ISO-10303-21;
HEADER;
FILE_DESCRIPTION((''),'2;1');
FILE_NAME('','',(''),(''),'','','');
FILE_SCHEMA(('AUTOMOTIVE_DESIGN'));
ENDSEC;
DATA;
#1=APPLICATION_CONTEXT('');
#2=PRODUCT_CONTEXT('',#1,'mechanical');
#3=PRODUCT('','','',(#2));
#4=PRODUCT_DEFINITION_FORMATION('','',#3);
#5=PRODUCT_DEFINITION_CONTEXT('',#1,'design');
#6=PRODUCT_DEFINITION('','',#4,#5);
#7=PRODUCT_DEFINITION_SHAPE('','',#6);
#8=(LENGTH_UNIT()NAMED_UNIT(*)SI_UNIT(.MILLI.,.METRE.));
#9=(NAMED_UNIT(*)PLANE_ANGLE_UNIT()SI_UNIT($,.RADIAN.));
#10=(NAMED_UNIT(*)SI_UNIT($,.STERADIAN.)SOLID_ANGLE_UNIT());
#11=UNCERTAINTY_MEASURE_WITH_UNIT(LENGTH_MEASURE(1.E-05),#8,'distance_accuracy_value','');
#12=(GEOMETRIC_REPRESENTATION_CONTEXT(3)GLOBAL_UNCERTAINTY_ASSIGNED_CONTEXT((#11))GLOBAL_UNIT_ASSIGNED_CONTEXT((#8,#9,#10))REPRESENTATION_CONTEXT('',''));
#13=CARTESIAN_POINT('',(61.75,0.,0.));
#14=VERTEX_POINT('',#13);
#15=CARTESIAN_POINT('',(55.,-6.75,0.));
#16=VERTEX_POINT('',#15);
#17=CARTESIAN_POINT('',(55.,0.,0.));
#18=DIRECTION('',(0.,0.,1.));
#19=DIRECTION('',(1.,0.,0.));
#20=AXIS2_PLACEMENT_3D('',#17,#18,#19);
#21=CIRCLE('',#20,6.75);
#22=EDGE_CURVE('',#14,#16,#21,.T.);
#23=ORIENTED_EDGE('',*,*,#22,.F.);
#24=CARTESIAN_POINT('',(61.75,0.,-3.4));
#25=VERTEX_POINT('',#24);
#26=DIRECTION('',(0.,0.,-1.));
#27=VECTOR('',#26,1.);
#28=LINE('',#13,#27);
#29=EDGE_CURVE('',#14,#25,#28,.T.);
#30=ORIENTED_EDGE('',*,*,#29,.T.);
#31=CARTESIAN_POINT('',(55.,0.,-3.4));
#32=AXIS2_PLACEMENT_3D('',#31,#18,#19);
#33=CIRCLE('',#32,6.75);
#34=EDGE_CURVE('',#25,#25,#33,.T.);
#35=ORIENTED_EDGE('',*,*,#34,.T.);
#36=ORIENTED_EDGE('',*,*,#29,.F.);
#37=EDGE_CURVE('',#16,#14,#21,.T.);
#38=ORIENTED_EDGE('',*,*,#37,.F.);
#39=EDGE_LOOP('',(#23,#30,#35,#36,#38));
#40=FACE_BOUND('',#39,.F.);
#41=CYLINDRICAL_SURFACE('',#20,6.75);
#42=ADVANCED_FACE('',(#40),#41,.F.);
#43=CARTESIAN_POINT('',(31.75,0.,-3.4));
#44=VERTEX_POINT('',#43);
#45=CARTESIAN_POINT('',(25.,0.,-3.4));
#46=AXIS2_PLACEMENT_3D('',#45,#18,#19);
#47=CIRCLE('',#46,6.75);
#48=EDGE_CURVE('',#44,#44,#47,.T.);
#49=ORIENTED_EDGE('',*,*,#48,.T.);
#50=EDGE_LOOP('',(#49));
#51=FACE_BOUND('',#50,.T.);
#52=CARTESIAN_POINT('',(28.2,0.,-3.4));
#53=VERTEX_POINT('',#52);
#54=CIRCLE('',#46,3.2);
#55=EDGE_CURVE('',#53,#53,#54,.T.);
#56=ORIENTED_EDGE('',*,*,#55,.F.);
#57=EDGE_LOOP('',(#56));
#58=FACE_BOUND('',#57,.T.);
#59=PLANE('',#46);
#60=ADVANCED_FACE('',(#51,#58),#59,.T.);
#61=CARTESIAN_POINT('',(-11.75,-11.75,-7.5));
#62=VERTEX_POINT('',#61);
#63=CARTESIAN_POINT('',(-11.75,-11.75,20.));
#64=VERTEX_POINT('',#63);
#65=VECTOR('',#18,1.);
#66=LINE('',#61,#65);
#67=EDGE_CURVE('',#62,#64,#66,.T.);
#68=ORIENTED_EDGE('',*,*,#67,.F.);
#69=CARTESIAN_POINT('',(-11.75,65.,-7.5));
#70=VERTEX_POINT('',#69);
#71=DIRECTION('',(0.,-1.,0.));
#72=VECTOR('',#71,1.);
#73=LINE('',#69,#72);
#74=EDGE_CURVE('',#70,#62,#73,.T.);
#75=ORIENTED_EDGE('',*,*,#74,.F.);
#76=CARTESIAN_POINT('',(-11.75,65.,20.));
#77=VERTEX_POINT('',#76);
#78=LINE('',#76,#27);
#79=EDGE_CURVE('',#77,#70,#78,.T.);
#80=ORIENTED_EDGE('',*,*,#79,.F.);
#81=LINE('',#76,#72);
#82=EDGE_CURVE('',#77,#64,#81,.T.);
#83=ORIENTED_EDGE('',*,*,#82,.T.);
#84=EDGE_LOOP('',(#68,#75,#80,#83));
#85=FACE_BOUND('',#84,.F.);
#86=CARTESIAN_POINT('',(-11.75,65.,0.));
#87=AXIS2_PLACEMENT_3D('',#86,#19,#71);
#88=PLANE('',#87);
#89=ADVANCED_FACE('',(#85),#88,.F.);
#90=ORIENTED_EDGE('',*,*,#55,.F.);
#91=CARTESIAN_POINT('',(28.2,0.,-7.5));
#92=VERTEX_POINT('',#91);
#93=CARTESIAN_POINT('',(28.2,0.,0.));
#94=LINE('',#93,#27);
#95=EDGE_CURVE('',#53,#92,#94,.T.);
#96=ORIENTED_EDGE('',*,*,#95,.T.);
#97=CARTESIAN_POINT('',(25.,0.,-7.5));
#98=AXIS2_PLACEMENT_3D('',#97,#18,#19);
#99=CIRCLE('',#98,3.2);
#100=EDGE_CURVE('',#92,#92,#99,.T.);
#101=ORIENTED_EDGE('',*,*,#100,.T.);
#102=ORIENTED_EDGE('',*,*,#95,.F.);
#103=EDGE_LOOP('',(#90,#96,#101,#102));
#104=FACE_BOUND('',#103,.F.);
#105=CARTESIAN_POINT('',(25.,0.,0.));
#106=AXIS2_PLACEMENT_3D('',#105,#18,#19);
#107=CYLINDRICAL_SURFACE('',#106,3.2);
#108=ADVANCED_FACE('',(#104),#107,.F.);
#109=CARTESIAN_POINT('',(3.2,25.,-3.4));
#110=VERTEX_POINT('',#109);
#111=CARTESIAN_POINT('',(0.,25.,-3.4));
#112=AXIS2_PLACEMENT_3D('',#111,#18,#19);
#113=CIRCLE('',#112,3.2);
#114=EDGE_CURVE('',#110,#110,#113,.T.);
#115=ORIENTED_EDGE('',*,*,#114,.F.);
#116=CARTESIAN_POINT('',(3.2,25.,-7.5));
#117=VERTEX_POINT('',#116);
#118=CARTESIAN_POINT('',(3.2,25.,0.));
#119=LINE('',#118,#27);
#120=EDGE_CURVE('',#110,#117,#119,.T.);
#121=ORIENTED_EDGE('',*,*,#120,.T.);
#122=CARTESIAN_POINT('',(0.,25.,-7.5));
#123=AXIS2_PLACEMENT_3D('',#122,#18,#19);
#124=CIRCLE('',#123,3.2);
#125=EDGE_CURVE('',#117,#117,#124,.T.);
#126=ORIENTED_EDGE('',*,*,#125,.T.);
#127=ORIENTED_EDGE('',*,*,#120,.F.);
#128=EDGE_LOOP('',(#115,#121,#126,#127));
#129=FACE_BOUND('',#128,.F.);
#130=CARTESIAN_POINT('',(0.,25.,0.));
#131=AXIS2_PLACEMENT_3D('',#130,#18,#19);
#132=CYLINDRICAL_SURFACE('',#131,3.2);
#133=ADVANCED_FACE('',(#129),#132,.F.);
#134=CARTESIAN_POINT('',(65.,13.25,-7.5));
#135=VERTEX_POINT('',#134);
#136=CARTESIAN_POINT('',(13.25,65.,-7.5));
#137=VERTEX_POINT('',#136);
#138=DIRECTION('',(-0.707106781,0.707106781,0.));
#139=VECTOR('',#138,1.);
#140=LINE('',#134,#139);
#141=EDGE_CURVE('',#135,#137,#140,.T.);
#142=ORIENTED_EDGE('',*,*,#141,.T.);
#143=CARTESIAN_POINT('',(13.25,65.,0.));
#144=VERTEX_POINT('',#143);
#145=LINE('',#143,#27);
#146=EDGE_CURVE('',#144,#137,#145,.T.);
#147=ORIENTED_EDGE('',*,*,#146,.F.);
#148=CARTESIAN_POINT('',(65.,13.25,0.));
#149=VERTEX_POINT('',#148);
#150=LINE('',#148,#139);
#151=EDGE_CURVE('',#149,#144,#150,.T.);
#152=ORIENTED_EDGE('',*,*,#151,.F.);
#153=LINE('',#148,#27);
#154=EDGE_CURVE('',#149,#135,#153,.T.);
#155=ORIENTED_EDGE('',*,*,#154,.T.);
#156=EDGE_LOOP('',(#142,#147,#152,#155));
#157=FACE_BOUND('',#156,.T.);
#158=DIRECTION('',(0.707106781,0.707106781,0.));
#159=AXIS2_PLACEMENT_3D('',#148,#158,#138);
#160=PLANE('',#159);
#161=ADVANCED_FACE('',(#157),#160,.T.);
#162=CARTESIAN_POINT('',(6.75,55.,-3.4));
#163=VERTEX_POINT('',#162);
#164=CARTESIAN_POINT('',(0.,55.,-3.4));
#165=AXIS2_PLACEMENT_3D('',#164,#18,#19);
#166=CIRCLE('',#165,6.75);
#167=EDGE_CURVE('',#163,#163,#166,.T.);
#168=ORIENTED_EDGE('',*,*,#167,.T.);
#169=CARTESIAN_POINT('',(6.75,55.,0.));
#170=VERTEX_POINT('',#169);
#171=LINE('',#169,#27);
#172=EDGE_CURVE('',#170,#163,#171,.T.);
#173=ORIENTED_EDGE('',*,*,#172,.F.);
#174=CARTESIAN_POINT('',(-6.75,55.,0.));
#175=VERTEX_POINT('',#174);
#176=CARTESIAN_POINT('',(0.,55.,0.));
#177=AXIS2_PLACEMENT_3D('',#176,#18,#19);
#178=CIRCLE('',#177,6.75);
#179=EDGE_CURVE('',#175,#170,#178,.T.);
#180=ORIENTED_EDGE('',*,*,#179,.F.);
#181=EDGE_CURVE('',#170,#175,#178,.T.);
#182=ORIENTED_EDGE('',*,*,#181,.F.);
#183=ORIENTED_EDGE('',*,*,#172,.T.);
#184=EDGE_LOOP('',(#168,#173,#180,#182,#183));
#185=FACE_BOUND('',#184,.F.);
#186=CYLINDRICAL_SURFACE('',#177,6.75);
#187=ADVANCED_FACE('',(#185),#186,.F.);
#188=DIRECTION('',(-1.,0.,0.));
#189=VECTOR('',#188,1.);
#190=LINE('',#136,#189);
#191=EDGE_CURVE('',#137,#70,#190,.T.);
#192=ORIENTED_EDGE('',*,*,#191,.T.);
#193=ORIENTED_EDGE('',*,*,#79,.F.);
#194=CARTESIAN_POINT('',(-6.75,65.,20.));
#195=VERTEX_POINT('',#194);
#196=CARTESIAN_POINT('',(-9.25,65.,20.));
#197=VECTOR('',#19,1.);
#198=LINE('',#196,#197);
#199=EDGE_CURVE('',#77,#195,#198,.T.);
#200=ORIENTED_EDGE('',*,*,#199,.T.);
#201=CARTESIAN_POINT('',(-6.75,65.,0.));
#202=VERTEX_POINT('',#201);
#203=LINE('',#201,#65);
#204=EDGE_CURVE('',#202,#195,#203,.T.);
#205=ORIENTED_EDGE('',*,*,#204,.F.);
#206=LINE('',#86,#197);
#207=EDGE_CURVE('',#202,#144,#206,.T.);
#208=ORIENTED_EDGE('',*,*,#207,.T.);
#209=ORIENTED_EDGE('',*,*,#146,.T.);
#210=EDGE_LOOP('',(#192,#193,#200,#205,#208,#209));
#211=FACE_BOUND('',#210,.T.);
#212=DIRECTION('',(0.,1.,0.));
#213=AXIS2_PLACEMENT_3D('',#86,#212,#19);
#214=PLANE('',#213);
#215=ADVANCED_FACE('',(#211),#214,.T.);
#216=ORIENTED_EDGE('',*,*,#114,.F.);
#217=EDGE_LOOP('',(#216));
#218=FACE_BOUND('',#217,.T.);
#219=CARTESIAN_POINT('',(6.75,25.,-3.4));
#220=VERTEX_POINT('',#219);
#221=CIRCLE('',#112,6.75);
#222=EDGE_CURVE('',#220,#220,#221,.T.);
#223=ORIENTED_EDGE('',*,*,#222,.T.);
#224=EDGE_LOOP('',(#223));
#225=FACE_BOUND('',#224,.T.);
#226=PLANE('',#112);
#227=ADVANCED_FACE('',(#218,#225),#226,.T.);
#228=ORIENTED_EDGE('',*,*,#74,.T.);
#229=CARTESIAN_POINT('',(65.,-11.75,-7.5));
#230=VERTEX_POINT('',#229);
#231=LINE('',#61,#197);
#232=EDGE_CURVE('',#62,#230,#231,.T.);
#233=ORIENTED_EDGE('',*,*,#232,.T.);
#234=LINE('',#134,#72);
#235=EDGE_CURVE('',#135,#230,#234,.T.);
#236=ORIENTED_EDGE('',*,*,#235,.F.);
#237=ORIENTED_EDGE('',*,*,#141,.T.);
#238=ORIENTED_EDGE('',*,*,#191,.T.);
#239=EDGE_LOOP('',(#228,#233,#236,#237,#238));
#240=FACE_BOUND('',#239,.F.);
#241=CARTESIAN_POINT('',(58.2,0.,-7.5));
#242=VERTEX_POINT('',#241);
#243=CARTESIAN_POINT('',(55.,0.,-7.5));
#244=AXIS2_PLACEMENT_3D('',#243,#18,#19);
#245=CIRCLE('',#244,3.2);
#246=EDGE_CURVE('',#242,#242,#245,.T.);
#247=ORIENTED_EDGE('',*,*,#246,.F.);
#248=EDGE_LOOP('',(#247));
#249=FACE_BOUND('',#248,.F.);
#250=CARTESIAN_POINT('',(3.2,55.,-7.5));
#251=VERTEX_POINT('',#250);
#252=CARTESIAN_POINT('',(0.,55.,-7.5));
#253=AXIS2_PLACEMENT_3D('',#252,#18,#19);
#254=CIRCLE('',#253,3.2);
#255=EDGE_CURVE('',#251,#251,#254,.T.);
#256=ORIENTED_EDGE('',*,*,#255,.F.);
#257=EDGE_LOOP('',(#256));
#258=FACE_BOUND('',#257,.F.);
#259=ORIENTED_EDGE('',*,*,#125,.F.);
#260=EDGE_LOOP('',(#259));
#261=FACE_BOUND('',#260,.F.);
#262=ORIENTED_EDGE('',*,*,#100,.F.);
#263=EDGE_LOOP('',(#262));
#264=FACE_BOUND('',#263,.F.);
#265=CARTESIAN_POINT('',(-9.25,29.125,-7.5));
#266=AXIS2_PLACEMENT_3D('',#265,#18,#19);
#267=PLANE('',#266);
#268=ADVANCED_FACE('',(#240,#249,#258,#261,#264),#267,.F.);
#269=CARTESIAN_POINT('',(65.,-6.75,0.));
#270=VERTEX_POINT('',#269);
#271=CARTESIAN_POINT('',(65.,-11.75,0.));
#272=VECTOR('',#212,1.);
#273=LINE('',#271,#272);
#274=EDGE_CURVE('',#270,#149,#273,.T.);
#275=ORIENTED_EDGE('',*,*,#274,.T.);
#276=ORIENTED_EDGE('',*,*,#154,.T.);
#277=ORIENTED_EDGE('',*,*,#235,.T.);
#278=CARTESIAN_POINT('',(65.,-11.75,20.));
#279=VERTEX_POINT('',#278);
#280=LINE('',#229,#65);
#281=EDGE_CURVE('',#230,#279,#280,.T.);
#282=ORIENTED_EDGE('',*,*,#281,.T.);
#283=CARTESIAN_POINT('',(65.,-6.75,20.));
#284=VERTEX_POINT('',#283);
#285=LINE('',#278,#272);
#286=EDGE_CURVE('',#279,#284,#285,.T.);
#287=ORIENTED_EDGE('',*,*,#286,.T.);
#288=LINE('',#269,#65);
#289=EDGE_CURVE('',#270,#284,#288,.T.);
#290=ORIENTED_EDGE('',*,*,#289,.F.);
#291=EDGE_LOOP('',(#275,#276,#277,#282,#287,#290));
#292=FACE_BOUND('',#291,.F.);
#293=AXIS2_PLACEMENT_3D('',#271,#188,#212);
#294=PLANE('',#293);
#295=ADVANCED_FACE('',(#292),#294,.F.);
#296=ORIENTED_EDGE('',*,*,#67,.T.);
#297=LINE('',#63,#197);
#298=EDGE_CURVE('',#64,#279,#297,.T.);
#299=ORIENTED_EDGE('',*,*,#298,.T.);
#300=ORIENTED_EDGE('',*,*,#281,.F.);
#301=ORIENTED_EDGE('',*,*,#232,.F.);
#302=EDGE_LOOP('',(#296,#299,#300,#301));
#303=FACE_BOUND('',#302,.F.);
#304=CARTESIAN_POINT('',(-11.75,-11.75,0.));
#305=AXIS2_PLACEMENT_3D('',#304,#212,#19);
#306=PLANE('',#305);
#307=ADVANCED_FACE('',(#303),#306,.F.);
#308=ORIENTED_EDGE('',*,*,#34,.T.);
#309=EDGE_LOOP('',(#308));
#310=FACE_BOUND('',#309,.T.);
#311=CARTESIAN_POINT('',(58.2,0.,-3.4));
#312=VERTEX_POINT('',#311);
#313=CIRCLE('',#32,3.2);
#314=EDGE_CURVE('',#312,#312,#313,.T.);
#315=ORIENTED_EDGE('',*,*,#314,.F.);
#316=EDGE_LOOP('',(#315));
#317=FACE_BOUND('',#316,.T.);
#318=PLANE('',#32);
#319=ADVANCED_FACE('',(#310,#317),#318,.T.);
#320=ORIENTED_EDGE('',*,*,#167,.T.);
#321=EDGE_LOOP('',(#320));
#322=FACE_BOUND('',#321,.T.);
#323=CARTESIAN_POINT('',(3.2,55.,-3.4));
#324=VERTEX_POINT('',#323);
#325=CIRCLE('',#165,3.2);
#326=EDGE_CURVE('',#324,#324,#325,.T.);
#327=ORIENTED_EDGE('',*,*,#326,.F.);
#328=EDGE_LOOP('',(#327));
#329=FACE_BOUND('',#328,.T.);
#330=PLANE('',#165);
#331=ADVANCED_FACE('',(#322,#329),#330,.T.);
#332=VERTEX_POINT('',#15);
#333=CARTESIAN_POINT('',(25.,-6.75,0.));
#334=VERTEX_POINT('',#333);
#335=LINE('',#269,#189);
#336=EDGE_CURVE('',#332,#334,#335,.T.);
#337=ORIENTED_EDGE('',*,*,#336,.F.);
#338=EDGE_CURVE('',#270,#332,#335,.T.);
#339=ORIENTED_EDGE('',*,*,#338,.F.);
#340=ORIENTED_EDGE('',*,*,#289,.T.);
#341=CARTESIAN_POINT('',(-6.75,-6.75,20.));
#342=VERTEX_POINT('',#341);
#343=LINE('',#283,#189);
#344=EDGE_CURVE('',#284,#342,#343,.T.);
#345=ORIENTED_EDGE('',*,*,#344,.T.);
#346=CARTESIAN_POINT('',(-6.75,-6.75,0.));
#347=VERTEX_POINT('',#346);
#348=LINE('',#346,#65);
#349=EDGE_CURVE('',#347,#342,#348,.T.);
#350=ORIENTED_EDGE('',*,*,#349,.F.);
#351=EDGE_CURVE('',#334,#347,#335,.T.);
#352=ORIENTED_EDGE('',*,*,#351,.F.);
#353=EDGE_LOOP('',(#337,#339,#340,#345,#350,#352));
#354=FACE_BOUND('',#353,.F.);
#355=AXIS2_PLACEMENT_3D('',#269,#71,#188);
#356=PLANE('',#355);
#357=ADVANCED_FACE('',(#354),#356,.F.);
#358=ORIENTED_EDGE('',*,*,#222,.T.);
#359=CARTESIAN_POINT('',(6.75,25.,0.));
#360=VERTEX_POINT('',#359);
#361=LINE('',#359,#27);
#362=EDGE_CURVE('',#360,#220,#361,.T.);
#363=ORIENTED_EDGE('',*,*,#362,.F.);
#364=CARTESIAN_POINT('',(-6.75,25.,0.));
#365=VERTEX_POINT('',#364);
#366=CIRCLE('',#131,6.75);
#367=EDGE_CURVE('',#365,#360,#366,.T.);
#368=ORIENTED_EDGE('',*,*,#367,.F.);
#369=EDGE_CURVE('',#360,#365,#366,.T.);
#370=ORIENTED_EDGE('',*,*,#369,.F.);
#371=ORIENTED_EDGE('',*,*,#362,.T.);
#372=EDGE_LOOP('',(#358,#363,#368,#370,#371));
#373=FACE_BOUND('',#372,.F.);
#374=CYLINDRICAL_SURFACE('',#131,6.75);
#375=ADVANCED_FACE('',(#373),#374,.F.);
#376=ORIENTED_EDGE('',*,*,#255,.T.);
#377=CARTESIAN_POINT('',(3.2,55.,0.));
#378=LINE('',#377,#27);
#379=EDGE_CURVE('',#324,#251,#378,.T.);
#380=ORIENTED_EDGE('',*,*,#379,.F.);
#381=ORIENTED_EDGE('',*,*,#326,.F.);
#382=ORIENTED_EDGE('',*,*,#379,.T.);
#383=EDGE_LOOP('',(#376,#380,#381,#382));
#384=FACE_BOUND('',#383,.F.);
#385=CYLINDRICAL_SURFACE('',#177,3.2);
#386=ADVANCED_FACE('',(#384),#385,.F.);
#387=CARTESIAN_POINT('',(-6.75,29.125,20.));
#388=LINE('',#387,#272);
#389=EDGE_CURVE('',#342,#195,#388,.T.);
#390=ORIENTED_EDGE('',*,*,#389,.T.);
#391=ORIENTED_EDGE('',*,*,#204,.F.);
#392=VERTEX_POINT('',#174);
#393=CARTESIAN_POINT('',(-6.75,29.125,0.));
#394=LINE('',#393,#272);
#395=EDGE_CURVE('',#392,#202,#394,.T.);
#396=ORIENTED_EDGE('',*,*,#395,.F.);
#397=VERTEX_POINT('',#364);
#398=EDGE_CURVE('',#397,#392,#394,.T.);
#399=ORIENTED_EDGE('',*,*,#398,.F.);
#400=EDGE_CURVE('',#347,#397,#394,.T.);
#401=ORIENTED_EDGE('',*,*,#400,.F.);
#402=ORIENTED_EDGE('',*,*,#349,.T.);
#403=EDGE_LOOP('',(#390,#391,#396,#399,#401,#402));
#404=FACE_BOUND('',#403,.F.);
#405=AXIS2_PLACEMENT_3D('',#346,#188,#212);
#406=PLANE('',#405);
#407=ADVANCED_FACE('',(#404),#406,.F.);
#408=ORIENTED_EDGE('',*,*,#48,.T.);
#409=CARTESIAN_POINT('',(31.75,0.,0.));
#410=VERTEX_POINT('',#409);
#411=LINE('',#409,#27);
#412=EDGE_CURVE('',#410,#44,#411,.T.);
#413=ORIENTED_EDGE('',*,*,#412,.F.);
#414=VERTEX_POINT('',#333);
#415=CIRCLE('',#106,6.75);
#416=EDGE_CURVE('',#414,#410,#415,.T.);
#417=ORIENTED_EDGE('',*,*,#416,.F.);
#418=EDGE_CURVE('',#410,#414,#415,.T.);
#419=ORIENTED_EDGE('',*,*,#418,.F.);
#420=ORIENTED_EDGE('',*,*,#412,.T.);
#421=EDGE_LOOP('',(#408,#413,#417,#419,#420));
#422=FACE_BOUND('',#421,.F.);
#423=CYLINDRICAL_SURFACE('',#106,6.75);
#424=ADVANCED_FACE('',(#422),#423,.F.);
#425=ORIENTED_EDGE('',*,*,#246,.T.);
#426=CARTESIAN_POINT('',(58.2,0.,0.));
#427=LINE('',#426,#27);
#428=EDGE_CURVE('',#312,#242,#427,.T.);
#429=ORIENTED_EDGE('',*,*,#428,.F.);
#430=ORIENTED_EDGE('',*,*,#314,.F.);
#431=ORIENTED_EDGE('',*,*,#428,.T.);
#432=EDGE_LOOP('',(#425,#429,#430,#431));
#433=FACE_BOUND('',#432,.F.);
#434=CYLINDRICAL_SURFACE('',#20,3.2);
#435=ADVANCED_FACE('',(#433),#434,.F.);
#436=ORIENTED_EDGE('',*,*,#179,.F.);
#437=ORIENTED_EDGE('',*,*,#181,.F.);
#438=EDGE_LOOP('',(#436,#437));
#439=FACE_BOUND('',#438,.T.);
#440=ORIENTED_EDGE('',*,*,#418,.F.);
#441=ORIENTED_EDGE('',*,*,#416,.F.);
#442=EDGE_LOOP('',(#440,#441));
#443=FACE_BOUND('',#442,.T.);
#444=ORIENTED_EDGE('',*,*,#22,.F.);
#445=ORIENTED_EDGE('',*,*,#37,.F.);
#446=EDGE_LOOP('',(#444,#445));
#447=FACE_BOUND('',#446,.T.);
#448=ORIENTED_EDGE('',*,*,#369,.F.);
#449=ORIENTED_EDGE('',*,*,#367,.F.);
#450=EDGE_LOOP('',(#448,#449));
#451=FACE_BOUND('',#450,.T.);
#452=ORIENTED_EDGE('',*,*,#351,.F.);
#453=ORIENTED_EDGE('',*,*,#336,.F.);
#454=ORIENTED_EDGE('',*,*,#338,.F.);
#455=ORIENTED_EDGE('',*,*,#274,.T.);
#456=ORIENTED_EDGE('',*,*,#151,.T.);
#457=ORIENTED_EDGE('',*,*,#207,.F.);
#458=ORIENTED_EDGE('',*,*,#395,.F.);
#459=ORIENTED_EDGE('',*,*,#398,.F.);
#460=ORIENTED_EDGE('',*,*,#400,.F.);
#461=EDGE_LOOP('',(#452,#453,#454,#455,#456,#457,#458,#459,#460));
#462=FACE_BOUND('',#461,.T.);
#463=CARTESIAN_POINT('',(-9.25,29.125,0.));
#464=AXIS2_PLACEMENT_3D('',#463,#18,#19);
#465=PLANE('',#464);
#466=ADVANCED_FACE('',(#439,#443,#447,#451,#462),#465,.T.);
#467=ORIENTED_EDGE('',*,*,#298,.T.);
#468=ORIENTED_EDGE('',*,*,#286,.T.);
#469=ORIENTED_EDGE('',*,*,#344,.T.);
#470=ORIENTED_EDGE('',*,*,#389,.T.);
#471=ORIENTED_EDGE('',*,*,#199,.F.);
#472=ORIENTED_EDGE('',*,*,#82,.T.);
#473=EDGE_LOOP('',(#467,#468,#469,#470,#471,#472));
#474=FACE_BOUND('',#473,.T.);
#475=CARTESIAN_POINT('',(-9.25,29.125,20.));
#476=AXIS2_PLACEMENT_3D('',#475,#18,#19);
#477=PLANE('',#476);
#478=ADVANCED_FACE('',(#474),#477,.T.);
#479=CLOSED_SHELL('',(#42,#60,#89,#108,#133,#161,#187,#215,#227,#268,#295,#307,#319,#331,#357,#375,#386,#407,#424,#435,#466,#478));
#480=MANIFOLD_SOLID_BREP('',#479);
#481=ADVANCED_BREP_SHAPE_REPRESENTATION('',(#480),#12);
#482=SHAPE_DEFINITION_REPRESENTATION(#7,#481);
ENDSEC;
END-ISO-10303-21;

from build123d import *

# Parameters (mm, degrees)
F1_W     = 51.75
F1_H     = 20
F2_DEPTH = 7.5
F3_W     = 5
F3_H     = 71.75
F4_DEPTH = 7.5
F0_R     = 6.75
F5_DEPTH = 3.4
F6_DEPTH = 20
F7_R     = 3.2
F8_DEPTH = 25


with BuildPart() as f2:
    # F1 (on Top) → F2 (new body)
    with BuildSketch(Plane.XY):
        Polygon((13.25, 65), (-6.75, 65), (-6.75, -6.75), (13.25, -6.75), (13.25, 13.25), align=None)
        Polygon((65, 13.25), (13.25, 65), (13.25, 13.25), align=None)
        with Locations((39.125, 3.25)):
            Rectangle(F1_W, F1_H)
    extrude(amount=-F2_DEPTH)

    # F3 (on face) → F4 (join)
    with BuildSketch(Plane.XY):
        with Locations((-9.25, 29.125)):
            Rectangle(F3_W, F3_H)
        Polygon((65, -6.75), (-6.75, -6.75), (-11.75, -6.75), (-11.75, -11.75), (65, -11.75), align=None)
    extrude(amount=-F4_DEPTH)

    # F0 (on Top) → F5 (cut)
    with BuildSketch(Plane.XY):
        with Locations((55, 0)):
            Circle(F0_R)
        with Locations((25, 0)):
            Circle(F0_R)
        with Locations((0, 25)):
            Circle(F0_R)
        with Locations((0, 55)):
            Circle(F0_R)
    extrude(amount=-F5_DEPTH, mode=Mode.SUBTRACT)

    # F3 (on face) → F6 (join)
    with BuildSketch(Plane.XY):
        with Locations((-9.25, 29.125)):
            Rectangle(F3_W, F3_H)
        Polygon((65, -6.75), (-6.75, -6.75), (-11.75, -6.75), (-11.75, -11.75), (65, -11.75), align=None)
    extrude(amount=F6_DEPTH)

    # F7 (on face) → F8 (cut)
    with BuildSketch(Plane.XY):
        with Locations((0, 25)):
            Circle(F7_R)
        with Locations((0, 55)):
            Circle(F7_R)
        with Locations((25, 0)):
            Circle(F7_R)
        with Locations((55, 0)):
            Circle(F7_R)
    extrude(amount=-F8_DEPTH, mode=Mode.SUBTRACT)


solid = f2.part
